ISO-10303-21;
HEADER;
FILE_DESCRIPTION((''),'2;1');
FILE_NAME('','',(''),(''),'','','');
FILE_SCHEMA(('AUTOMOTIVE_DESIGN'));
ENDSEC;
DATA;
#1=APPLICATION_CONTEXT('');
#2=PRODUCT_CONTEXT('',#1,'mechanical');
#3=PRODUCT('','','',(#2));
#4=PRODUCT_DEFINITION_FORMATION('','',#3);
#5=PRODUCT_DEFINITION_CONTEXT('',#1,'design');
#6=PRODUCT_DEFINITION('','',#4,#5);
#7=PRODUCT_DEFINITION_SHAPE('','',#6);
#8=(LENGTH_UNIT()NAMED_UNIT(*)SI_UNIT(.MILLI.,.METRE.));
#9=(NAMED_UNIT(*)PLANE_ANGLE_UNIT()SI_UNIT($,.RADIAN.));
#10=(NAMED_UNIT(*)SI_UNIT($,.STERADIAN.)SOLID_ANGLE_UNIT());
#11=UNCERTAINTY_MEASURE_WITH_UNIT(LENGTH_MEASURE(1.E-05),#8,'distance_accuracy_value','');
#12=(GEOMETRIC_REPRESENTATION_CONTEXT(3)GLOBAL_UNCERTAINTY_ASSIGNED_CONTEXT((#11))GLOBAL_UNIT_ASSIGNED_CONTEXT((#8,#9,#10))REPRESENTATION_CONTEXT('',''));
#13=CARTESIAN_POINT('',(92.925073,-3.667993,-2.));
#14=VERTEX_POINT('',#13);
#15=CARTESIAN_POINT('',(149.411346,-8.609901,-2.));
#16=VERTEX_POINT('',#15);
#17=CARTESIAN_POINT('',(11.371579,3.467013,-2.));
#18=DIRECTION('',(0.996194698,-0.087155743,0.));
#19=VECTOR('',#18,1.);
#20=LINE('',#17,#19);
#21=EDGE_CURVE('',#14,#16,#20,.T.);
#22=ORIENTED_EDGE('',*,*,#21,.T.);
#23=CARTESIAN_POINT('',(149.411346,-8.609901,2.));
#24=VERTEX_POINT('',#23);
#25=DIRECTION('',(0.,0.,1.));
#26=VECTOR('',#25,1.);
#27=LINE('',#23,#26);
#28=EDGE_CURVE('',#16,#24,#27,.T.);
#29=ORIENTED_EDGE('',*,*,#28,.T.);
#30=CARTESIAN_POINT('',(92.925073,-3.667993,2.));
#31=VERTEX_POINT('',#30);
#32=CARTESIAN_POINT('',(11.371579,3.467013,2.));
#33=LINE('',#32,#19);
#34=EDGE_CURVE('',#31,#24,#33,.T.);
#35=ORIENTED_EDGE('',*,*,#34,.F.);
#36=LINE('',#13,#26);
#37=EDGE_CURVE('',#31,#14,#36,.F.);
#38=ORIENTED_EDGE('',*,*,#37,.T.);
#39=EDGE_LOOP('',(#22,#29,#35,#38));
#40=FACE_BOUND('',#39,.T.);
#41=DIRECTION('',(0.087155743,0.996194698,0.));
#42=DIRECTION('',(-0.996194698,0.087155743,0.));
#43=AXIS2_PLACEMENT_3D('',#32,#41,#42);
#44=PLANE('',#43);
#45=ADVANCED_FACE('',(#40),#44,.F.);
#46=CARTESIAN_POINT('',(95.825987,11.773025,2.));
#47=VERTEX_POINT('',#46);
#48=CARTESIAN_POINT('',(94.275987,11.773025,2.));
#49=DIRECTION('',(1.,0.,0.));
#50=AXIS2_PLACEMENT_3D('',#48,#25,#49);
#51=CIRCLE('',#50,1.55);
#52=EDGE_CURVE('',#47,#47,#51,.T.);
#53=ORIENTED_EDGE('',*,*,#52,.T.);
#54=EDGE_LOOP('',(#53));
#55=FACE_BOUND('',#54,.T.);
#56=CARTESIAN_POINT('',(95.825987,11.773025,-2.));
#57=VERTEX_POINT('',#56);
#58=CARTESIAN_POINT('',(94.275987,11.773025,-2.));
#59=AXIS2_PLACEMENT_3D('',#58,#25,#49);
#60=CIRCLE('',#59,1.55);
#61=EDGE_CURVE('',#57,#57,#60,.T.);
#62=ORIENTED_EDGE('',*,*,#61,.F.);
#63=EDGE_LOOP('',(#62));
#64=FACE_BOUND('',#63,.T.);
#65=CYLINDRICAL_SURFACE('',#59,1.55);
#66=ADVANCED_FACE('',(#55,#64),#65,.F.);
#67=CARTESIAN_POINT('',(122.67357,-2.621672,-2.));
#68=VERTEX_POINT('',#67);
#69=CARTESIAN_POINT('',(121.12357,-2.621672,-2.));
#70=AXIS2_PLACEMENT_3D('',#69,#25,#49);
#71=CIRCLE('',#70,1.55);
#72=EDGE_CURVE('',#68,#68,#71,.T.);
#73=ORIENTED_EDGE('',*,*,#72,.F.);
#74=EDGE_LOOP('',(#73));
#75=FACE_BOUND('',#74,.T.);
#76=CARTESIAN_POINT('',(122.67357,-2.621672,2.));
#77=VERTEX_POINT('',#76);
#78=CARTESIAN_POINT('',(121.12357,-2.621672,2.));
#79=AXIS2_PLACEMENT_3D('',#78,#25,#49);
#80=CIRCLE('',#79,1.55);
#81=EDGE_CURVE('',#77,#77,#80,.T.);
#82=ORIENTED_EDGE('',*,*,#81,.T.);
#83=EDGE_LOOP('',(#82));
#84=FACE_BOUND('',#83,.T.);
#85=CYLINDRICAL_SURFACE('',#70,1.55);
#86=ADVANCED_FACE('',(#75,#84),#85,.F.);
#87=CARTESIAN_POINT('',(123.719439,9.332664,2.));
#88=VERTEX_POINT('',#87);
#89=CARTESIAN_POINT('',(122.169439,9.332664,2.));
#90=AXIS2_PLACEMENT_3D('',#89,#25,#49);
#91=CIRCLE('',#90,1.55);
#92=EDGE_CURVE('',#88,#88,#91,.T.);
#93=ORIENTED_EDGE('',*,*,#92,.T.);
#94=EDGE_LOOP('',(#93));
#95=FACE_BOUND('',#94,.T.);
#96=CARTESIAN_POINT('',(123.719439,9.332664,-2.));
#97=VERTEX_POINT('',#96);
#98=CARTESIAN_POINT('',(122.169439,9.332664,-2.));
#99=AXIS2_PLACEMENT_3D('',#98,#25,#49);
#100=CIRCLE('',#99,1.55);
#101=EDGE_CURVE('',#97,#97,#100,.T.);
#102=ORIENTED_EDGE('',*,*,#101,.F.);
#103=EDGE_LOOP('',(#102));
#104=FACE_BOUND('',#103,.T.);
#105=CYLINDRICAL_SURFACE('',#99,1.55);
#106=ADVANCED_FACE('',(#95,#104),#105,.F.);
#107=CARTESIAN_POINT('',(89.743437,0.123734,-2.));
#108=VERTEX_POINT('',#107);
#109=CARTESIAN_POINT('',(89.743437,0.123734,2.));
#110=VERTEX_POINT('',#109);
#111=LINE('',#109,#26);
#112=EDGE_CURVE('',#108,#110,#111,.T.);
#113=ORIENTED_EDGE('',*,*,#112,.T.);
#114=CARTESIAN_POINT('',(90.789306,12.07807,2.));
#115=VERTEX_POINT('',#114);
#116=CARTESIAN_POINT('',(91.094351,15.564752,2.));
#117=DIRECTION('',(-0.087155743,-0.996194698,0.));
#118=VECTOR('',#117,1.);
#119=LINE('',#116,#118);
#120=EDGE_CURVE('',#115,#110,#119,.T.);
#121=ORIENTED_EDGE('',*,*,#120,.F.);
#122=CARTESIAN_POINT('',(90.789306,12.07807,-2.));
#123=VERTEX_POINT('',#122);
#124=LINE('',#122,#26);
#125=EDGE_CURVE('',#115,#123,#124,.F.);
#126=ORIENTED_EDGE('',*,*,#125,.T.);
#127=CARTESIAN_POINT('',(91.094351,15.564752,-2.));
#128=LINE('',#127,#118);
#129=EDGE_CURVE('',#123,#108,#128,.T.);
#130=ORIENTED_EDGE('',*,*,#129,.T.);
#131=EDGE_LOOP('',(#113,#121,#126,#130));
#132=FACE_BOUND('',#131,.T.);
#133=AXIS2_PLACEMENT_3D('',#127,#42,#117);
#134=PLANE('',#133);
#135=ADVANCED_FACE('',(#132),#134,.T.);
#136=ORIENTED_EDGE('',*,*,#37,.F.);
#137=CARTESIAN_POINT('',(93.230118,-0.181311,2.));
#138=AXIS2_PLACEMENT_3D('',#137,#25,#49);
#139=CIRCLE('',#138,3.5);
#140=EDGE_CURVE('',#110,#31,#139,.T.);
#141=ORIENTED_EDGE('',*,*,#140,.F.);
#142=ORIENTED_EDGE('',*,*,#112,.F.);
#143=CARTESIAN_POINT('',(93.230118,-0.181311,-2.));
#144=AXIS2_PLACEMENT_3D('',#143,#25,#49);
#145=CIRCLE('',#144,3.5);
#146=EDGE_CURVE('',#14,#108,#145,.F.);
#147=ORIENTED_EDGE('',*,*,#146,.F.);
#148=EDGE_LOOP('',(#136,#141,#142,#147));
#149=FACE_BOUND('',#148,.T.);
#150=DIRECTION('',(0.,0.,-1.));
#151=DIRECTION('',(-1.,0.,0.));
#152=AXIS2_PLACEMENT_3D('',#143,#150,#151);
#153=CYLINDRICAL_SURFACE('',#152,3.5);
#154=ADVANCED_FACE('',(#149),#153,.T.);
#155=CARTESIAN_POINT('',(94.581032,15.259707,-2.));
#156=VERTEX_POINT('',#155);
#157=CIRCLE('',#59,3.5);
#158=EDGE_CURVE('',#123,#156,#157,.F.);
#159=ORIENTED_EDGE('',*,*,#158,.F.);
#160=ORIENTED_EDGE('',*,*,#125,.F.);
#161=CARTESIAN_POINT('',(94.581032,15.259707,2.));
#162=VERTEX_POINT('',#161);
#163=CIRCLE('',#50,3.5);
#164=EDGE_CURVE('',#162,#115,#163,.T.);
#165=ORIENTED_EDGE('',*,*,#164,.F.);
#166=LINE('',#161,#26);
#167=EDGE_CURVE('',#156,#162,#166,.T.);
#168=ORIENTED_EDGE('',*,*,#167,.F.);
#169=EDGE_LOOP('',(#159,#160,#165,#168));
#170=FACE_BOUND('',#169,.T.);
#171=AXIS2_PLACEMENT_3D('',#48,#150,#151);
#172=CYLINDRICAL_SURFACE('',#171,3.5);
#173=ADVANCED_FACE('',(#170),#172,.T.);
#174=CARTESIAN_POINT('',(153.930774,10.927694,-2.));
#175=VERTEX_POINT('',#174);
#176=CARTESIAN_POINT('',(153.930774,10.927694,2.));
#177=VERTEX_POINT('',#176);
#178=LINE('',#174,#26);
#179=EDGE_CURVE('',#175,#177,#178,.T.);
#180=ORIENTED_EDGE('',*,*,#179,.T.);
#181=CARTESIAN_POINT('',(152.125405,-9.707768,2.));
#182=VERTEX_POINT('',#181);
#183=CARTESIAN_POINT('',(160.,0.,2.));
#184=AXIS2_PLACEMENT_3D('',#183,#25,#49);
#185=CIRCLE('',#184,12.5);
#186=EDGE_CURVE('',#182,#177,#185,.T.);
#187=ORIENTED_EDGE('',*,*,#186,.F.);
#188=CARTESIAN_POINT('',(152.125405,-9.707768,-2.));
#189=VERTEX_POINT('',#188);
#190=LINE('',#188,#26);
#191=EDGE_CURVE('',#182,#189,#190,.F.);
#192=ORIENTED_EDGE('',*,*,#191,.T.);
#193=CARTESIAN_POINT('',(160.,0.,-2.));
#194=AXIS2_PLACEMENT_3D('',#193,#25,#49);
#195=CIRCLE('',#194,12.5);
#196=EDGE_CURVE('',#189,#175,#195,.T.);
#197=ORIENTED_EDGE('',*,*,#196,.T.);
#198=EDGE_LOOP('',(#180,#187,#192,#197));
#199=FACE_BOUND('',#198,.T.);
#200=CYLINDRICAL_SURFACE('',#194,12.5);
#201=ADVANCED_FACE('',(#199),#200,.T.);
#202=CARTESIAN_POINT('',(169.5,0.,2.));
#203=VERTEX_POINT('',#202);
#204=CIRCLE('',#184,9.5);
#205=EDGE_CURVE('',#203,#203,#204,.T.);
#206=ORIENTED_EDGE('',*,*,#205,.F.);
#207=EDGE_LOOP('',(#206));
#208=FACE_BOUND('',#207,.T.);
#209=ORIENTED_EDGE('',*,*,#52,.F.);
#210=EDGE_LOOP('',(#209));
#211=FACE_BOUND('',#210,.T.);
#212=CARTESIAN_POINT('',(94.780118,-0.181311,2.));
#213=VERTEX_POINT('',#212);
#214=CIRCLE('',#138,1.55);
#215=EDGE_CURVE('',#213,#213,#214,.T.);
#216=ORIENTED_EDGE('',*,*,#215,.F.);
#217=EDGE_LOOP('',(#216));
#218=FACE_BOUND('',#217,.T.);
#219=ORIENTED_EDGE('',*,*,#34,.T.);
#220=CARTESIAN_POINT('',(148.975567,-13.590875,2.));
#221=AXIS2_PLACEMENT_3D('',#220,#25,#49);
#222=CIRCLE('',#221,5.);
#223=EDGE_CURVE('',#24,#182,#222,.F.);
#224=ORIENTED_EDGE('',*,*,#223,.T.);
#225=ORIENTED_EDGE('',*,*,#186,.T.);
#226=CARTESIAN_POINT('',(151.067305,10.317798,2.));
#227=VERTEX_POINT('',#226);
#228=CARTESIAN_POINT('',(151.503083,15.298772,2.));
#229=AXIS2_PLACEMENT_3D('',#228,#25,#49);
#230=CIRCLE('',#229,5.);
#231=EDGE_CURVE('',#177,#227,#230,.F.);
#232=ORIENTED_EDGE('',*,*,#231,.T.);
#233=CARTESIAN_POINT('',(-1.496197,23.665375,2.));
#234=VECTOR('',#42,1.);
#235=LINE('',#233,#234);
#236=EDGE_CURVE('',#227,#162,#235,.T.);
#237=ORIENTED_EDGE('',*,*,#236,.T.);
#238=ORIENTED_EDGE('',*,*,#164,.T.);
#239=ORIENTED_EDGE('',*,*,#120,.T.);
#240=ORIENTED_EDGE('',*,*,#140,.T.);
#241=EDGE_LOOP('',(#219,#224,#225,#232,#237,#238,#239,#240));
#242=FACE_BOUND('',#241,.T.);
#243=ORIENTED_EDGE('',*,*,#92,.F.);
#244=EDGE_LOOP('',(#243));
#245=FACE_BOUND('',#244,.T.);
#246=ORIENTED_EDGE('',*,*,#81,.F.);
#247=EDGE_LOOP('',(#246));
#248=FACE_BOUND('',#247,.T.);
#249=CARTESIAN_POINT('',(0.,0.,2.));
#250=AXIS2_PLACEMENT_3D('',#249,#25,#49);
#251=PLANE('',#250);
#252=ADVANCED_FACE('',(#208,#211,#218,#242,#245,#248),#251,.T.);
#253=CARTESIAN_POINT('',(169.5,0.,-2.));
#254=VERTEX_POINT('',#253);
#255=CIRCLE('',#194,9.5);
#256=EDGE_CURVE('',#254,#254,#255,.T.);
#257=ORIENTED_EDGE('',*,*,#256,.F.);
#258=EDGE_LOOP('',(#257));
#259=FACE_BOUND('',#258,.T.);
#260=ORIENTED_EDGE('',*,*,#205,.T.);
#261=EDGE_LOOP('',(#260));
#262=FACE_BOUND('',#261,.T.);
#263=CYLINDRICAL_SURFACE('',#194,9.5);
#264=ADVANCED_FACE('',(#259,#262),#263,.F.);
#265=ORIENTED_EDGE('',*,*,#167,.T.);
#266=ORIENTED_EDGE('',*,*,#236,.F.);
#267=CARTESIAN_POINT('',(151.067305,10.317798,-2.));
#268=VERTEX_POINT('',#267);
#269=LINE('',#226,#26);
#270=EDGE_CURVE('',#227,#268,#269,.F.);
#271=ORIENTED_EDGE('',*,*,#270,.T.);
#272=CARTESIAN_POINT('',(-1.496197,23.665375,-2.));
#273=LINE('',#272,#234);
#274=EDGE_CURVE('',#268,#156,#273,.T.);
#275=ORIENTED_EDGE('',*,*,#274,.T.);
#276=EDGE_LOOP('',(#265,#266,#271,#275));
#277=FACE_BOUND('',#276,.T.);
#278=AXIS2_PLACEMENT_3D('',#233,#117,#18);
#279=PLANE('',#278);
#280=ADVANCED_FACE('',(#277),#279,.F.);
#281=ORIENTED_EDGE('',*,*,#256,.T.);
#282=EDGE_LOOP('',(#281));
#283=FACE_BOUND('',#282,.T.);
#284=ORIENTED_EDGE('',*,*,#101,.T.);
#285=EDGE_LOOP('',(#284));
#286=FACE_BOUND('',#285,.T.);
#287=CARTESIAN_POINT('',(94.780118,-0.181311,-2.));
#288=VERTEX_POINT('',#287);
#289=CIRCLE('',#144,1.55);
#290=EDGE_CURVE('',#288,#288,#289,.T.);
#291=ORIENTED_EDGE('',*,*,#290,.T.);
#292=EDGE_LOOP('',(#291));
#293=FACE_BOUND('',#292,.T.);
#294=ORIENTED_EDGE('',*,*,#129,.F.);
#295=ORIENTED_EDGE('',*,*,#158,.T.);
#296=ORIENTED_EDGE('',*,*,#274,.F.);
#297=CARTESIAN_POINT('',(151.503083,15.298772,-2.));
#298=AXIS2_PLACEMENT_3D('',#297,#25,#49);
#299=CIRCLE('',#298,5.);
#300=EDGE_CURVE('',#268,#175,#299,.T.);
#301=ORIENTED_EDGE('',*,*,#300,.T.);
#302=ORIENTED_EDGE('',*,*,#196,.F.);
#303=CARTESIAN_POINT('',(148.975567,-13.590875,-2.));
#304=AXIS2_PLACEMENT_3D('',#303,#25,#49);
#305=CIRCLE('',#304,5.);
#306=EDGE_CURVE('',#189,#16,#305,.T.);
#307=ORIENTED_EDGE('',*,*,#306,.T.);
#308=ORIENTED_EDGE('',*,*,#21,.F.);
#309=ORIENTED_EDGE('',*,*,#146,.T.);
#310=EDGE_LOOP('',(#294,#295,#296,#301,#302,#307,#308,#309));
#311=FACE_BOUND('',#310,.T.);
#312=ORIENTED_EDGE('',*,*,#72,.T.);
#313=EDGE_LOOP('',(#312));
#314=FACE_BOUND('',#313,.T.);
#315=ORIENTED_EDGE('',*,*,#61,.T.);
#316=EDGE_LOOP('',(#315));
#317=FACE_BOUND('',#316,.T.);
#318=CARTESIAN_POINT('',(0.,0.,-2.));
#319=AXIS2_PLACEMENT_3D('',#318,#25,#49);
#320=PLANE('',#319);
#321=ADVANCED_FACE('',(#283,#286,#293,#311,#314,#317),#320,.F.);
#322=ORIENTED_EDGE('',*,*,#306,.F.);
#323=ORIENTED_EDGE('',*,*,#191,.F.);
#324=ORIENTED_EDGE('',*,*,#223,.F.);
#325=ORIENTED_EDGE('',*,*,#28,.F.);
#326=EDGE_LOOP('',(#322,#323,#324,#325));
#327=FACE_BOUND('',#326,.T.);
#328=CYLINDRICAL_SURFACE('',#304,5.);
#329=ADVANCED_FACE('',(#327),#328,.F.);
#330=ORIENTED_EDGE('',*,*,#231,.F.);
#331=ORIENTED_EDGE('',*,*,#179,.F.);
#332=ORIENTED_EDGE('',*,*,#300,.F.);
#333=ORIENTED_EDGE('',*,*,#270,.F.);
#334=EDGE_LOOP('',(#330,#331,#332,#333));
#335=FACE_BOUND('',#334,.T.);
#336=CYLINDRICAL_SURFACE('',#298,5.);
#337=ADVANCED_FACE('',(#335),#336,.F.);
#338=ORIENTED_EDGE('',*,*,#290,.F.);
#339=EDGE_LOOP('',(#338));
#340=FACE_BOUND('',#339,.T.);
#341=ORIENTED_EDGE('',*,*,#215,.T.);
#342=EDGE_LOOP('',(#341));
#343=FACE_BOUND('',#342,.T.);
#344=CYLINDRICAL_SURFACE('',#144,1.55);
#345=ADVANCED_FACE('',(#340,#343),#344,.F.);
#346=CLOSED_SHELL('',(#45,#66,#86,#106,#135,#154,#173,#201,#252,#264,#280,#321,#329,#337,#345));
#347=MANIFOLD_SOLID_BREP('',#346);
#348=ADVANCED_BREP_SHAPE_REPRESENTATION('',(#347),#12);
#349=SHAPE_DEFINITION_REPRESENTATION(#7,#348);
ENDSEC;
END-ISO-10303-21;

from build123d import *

# Parameters (mm, degrees)
SKETCH_1_R          = 6
EXTRUDE_1_DEPTH     = 2
SKETCH_2_R          = 1.55
SKETCH_2_R_2        = 0.6
CUT_EXTRUDE_1_DEPTH = 5
FILLET_1_R          = 3.5
SKETCH_3_OUTSIDE_W  = 217.41
SKETCH_3_OUTSIDE_H  = 71.355
CUT_EXTRUDE_2_DEPTH = 5
SKETCH_4_R          = 1.55
CUT_EXTRUDE_3_DEPTH = 5
FILLET_2_R          = 3.5
SKETCH_5_R          = 12.5
EXTRUDE_2_DEPTH     = 4
SKETCH_6_R          = 9.5
CUT_EXTRUDE_4_DEPTH = 5
FILLET_3_R          = 5


with BuildPart() as part:
    # 草图1 → 凸台-拉伸1 (new body, symmetric)
    with BuildSketch(Plane.XY):
        with BuildLine():
            Line((-8.927079897, 3.249191362), (-1.4961968, 23.665374879))
            Line((-1.4961968, 23.665374879), (160.827979556, 9.463849632))
            ThreePointArc((160.827979556, 9.463849632), (169.463849632, -0.827979556), (159.172020444, -9.463849632))
            Line((159.172020444, -9.463849632), (11.371578553, 3.467013498))
            Line((11.371578553, 3.467013498), (8.927079897, -3.249191362))
            ThreePointArc((8.927079897, -3.249191362), (-3.249191362, -8.927079897), (-8.927079897, 3.249191362))
        make_face()
        Circle(SKETCH_1_R, mode=Mode.SUBTRACT)
        with Locations((160, 0)):
            Circle(SKETCH_1_R, mode=Mode.SUBTRACT)
    extrude(amount=EXTRUDE_1_DEPTH, both=True)

    # 草图2 → 切除-拉伸1 (cut, through all)
    with BuildSketch(Plane.XY.offset(2)):
        with Locations((0.874182871, 19.944624098)):
            Circle(SKETCH_2_R)
        with Locations((16.220555377, 6.556152427)):
            Circle(SKETCH_2_R)
        with Locations((11.935394126, 3.261801412)):
            Circle(SKETCH_2_R_2)
    extrude(amount=-CUT_EXTRUDE_1_DEPTH, mode=Mode.SUBTRACT)

    # 圆角1
    fillet_1_edges = [part.edges().sort_by_distance(p)[0] for p in [
        (-1.4961968, 23.665374879, 0),
    ]]
    fillet(fillet_1_edges, radius=FILLET_1_R)

    # 草图3 outside → 切除-拉伸2 (cut, through all)
    with BuildSketch(Plane.XY.offset(2)):
        with Locations((80, 6.9725)):
            Rectangle(SKETCH_3_OUTSIDE_W, SKETCH_3_OUTSIDE_H)
        with BuildLine():
            Line((91.09435069, 15.564751624), (89.438391577, -3.36294764))
            Line((89.438391577, -3.36294764), (159.172020444, -9.463849632))
            ThreePointArc((159.172020444, -9.463849632), (169.463849632, -0.827979556), (160.827979556, 9.463849632))
            Line((160.827979556, 9.463849632), (91.09435069, 15.564751624))
        make_face(mode=Mode.SUBTRACT)
    extrude(amount=-CUT_EXTRUDE_2_DEPTH, mode=Mode.SUBTRACT)

    # 草图4 → 切除-拉伸3 (cut, through all)
    with BuildSketch(Plane.XY.offset(2)):
        with Locations((94.275987033, 11.773025081)):
            Circle(SKETCH_4_R)
        with Locations((93.23011812, -0.181311296)):
            Circle(SKETCH_4_R)
        with Locations((122.16943858, 9.332664284)):
            Circle(SKETCH_4_R)
        with Locations((121.123569667, -2.621672093)):
            Circle(SKETCH_4_R)
    extrude(amount=-CUT_EXTRUDE_3_DEPTH, mode=Mode.SUBTRACT)

    # 圆角2
    fillet_2_edges = [part.edges().sort_by_distance(p)[0] for p in [
        (89.438391577, -3.36294764, 0),
        (91.09435069, 15.564751624, 0),
    ]]
    fillet(fillet_2_edges, radius=FILLET_2_R)

    # 草图5 → 凸台-拉伸2 (add)
    with BuildSketch(Plane.XY.offset(2)):
        with Locations((160, 0)):
            Circle(SKETCH_5_R)
    extrude(amount=-EXTRUDE_2_DEPTH)

    # 草图6 → 切除-拉伸4 (cut, through all)
    with BuildSketch(Plane.XY.offset(2)):
        with Locations((160, 0)):
            Circle(SKETCH_6_R)
    extrude(amount=-CUT_EXTRUDE_4_DEPTH, mode=Mode.SUBTRACT)

    # 圆角3
    fillet_3_edges = [part.edges().sort_by_distance(p)[0] for p in [
        (152.73485557, 10.171906233, 0),
        (151.078896458, -8.755793031, 0),
    ]]
    fillet(fillet_3_edges, radius=FILLET_3_R)


solid = part.part
